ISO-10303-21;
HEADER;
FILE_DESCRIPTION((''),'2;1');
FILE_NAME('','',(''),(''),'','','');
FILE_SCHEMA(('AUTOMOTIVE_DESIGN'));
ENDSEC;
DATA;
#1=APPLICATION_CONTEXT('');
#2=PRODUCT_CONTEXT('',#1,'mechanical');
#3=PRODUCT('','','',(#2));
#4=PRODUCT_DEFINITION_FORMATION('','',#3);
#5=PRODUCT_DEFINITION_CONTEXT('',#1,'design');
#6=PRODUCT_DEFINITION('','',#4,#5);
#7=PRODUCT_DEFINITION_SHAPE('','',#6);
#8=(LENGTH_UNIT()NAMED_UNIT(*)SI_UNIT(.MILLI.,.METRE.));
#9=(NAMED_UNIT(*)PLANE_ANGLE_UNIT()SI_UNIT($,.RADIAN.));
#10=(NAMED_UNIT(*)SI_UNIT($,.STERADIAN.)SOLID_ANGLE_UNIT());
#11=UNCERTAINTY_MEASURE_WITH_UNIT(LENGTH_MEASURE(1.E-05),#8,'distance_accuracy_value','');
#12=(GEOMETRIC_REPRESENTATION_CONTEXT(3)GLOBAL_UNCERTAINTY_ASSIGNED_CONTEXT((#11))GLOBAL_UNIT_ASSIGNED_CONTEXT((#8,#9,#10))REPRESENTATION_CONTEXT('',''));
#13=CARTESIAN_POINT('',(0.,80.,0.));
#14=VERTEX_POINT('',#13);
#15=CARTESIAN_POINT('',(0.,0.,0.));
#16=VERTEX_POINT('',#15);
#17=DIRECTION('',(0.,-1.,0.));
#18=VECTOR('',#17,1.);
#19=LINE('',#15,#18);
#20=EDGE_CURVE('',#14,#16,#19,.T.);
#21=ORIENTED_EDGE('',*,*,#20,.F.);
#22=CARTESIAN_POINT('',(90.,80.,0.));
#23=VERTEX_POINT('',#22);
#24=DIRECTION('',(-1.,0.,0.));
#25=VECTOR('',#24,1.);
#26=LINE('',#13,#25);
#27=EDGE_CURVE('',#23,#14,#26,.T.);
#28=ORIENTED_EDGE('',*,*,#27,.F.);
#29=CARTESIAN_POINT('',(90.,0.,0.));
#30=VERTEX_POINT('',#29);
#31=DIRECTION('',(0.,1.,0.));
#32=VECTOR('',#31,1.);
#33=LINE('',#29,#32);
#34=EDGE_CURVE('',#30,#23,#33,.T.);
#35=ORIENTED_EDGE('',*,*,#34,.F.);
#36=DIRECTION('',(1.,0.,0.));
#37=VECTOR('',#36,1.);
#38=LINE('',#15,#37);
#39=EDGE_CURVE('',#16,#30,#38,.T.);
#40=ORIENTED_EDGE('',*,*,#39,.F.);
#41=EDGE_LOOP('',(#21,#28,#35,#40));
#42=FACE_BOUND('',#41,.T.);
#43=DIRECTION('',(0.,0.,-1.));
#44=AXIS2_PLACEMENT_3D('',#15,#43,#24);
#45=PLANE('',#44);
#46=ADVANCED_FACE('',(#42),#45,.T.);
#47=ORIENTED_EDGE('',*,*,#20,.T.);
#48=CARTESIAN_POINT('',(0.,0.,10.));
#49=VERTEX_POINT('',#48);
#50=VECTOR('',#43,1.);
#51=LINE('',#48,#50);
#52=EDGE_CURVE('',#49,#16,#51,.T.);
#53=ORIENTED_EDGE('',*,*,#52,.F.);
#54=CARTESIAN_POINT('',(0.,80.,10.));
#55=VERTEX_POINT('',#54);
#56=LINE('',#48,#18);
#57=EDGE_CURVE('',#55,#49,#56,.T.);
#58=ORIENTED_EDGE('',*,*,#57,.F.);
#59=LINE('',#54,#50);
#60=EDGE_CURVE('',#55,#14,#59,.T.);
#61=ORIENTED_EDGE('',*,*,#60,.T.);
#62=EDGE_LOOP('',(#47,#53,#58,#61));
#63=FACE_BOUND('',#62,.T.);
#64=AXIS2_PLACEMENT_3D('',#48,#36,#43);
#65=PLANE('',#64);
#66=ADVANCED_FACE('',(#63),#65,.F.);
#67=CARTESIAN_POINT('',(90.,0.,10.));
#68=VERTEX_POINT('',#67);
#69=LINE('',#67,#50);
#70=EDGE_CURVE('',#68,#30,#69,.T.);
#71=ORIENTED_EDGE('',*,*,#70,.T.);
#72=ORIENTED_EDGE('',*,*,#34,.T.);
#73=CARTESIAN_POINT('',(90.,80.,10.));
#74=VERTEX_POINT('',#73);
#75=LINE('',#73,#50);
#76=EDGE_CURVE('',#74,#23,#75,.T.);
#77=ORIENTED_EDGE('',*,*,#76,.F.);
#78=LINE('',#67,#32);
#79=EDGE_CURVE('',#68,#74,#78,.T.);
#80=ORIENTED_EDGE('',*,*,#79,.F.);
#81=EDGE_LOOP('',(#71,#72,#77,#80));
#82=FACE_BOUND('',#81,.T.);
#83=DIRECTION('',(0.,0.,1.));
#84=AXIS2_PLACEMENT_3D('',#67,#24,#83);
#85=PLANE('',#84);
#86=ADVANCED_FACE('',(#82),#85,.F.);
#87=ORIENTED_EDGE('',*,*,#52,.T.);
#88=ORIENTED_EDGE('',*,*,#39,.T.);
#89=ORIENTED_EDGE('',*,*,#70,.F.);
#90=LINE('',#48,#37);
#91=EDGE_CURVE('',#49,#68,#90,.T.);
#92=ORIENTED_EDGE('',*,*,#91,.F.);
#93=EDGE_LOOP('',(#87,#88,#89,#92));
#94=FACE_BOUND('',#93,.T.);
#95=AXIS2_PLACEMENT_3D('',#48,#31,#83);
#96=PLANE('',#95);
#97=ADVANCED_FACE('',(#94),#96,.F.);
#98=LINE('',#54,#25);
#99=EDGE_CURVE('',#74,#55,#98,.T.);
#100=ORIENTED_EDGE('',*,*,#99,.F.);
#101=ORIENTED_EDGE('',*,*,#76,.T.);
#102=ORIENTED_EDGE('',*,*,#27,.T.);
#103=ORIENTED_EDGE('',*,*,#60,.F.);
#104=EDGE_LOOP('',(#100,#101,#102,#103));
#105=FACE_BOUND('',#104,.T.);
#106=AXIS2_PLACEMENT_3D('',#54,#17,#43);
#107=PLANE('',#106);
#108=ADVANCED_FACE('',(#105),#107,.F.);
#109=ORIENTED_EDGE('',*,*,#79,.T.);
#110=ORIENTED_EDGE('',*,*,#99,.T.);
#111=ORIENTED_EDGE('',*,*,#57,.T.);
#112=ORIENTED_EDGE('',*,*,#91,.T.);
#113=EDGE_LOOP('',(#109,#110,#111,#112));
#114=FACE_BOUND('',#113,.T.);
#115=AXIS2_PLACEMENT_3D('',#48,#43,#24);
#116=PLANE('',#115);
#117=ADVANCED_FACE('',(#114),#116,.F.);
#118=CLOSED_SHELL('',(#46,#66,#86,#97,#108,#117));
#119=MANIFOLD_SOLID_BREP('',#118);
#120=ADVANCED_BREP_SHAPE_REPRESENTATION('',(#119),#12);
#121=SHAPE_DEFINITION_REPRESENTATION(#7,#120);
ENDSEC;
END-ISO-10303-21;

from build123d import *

# Parameters (mm, degrees)
ESQUISSE1_W        = 90
ESQUISSE1_H        = 80
BOSS_EXTRU_1_DEPTH = 10


with BuildPart() as part:
    # Esquisse1 → Boss.-Extru.1 (new body)
    with BuildSketch(Plane.XY):
        with Locations((45, 40)):
            Rectangle(ESQUISSE1_W, ESQUISSE1_H)
    extrude(amount=BOSS_EXTRU_1_DEPTH)


solid = part.part
